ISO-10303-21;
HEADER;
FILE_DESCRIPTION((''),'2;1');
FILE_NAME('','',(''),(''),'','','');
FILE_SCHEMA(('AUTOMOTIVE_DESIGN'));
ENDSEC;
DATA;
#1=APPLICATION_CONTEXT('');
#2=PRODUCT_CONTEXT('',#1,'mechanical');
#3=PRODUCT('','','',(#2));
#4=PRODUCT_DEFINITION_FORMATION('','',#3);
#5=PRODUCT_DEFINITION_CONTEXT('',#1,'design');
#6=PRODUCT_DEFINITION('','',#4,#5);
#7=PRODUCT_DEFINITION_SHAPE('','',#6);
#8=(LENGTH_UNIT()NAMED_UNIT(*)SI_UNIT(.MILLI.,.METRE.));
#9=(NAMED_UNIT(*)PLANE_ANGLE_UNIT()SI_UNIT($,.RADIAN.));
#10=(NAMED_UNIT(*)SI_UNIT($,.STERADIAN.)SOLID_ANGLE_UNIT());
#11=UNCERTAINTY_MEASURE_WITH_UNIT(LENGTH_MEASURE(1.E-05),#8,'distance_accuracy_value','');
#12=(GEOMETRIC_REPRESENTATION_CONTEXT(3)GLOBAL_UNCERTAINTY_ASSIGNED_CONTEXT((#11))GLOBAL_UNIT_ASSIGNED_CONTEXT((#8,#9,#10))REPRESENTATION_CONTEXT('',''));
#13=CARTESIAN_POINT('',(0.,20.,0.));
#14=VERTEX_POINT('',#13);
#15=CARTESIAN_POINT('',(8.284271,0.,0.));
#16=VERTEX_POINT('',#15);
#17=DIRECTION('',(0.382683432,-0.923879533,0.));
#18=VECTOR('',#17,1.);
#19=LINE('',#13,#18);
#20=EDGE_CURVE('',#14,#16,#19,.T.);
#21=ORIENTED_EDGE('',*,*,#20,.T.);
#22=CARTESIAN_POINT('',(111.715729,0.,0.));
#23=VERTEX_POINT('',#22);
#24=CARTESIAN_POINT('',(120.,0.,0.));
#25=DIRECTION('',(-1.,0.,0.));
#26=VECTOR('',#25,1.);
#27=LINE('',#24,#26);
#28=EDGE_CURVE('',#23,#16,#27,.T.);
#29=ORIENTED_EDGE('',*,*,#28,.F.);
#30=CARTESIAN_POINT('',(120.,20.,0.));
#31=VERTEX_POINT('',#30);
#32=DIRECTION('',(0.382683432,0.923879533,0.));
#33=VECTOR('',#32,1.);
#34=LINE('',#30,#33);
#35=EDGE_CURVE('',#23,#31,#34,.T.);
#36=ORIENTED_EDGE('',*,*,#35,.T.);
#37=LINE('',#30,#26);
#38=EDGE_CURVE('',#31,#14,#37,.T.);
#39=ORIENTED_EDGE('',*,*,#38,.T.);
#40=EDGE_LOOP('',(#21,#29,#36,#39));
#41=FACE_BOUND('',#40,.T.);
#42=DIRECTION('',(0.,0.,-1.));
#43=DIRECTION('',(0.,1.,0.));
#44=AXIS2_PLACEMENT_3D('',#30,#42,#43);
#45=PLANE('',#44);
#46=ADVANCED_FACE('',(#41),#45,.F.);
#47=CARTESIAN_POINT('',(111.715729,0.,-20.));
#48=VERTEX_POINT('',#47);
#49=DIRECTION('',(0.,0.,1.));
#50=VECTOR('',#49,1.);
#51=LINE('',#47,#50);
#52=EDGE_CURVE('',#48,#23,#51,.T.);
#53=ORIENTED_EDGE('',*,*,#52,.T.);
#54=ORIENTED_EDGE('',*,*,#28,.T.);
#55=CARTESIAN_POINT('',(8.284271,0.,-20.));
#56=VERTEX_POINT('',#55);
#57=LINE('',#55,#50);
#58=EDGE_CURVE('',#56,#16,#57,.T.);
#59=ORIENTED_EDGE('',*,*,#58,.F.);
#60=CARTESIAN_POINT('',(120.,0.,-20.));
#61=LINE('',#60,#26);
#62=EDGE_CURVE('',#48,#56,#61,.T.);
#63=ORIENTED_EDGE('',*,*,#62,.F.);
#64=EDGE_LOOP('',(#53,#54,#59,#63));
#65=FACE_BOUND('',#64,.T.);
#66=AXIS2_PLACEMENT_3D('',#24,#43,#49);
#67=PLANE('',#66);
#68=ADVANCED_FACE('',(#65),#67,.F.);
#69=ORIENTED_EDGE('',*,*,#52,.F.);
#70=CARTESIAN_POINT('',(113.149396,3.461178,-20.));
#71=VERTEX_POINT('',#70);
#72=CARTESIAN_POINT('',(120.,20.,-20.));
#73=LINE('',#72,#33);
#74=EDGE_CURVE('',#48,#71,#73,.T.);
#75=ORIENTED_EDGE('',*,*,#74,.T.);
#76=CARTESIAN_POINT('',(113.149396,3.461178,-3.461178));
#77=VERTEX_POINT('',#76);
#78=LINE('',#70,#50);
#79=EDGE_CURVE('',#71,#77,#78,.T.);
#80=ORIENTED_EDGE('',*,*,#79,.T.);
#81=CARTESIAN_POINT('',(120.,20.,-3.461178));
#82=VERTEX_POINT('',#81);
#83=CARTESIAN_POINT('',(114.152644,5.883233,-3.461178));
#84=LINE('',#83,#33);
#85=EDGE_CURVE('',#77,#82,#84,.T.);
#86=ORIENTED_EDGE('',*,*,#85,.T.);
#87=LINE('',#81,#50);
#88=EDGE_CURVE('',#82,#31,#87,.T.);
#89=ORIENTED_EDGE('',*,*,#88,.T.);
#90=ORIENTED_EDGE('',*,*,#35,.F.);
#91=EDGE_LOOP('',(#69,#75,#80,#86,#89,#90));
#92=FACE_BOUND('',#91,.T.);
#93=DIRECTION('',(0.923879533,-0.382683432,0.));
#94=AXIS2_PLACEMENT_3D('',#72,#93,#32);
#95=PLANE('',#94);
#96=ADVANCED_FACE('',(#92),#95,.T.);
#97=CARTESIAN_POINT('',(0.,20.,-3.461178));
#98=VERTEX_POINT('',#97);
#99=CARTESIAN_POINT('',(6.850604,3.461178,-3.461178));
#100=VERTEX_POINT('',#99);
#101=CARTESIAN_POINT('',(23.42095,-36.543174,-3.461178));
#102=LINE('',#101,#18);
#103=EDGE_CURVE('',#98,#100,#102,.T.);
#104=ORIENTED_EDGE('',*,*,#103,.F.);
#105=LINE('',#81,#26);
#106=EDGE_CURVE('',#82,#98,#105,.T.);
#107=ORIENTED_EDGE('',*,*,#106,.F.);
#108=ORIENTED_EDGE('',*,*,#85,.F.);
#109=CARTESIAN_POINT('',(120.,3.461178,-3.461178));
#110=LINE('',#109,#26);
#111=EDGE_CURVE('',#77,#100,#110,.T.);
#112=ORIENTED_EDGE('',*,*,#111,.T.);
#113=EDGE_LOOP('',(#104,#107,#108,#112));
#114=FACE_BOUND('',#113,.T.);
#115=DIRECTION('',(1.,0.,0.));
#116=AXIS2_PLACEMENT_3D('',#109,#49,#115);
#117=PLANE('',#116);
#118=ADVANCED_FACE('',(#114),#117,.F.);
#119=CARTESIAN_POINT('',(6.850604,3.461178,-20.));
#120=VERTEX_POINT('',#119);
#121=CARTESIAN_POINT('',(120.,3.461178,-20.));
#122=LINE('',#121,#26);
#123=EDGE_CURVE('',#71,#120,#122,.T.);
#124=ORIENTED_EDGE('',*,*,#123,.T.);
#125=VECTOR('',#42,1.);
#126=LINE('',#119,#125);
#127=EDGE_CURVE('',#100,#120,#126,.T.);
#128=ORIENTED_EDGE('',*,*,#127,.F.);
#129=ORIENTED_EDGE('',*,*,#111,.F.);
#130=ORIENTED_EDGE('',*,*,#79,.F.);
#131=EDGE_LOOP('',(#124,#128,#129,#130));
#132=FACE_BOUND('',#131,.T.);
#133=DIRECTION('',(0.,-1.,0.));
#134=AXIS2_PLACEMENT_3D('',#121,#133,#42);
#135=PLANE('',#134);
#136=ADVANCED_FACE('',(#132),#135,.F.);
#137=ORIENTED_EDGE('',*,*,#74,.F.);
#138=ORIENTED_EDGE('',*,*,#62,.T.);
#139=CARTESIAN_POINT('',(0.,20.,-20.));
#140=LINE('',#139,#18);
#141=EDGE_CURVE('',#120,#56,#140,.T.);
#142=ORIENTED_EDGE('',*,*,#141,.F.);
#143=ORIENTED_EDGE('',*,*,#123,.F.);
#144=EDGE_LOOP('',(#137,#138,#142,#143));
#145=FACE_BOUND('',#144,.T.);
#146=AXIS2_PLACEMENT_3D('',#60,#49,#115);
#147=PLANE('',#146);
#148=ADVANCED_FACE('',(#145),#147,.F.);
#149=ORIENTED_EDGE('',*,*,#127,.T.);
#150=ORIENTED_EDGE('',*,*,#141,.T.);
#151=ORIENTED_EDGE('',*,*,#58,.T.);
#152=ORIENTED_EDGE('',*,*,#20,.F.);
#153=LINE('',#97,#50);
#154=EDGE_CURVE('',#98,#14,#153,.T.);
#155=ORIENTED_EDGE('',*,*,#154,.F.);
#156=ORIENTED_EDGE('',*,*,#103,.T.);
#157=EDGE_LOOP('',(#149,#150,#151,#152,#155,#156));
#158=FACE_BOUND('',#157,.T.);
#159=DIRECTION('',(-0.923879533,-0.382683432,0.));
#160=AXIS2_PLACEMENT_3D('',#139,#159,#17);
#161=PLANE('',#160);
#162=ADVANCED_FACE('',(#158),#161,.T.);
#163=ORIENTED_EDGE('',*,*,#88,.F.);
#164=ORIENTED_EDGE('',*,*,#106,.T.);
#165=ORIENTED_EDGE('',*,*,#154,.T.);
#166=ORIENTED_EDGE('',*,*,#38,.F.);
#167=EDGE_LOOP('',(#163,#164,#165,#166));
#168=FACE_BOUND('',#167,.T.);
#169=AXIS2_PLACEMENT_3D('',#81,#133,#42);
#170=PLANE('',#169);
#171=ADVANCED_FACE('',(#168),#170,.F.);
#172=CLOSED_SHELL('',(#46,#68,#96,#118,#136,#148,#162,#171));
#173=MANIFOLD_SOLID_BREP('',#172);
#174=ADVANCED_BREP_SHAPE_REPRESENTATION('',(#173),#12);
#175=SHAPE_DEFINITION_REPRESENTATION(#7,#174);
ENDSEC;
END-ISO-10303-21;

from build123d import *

# Parameters (mm, degrees)
BOSS_EXTRUDE1_DEPTH = 120
CUT_EXTRUDE1_DEPTH  = 124.288280059


with BuildPart() as part:
    # Sketch1 → Boss-Extrude1 (new body)
    with BuildSketch(Plane(origin=(0, 0, 0), x_dir=(0, 0, -1), z_dir=(1, 0, 0))):
        Polygon((0, 0), (20, 0), (20, 3.461178467), (3.461178467, 3.461178467), (3.461178467, 20), (0, 20), align=None)
    extrude(amount=BOSS_EXTRUDE1_DEPTH)

    # Sketch2 → Cut-Extrude1 (cut, through all)
    with BuildSketch(Plane(origin=(0, 0, 0), x_dir=(1, 0, 0), z_dir=(0, 0, -1))):
        Polygon((120, -20), (120, 0), (111.715728753, 0), align=None)
        Polygon((0, -20), (0, 0), (8.284271247, 0), align=None)
    extrude(amount=CUT_EXTRUDE1_DEPTH, mode=Mode.SUBTRACT)


solid = part.part
